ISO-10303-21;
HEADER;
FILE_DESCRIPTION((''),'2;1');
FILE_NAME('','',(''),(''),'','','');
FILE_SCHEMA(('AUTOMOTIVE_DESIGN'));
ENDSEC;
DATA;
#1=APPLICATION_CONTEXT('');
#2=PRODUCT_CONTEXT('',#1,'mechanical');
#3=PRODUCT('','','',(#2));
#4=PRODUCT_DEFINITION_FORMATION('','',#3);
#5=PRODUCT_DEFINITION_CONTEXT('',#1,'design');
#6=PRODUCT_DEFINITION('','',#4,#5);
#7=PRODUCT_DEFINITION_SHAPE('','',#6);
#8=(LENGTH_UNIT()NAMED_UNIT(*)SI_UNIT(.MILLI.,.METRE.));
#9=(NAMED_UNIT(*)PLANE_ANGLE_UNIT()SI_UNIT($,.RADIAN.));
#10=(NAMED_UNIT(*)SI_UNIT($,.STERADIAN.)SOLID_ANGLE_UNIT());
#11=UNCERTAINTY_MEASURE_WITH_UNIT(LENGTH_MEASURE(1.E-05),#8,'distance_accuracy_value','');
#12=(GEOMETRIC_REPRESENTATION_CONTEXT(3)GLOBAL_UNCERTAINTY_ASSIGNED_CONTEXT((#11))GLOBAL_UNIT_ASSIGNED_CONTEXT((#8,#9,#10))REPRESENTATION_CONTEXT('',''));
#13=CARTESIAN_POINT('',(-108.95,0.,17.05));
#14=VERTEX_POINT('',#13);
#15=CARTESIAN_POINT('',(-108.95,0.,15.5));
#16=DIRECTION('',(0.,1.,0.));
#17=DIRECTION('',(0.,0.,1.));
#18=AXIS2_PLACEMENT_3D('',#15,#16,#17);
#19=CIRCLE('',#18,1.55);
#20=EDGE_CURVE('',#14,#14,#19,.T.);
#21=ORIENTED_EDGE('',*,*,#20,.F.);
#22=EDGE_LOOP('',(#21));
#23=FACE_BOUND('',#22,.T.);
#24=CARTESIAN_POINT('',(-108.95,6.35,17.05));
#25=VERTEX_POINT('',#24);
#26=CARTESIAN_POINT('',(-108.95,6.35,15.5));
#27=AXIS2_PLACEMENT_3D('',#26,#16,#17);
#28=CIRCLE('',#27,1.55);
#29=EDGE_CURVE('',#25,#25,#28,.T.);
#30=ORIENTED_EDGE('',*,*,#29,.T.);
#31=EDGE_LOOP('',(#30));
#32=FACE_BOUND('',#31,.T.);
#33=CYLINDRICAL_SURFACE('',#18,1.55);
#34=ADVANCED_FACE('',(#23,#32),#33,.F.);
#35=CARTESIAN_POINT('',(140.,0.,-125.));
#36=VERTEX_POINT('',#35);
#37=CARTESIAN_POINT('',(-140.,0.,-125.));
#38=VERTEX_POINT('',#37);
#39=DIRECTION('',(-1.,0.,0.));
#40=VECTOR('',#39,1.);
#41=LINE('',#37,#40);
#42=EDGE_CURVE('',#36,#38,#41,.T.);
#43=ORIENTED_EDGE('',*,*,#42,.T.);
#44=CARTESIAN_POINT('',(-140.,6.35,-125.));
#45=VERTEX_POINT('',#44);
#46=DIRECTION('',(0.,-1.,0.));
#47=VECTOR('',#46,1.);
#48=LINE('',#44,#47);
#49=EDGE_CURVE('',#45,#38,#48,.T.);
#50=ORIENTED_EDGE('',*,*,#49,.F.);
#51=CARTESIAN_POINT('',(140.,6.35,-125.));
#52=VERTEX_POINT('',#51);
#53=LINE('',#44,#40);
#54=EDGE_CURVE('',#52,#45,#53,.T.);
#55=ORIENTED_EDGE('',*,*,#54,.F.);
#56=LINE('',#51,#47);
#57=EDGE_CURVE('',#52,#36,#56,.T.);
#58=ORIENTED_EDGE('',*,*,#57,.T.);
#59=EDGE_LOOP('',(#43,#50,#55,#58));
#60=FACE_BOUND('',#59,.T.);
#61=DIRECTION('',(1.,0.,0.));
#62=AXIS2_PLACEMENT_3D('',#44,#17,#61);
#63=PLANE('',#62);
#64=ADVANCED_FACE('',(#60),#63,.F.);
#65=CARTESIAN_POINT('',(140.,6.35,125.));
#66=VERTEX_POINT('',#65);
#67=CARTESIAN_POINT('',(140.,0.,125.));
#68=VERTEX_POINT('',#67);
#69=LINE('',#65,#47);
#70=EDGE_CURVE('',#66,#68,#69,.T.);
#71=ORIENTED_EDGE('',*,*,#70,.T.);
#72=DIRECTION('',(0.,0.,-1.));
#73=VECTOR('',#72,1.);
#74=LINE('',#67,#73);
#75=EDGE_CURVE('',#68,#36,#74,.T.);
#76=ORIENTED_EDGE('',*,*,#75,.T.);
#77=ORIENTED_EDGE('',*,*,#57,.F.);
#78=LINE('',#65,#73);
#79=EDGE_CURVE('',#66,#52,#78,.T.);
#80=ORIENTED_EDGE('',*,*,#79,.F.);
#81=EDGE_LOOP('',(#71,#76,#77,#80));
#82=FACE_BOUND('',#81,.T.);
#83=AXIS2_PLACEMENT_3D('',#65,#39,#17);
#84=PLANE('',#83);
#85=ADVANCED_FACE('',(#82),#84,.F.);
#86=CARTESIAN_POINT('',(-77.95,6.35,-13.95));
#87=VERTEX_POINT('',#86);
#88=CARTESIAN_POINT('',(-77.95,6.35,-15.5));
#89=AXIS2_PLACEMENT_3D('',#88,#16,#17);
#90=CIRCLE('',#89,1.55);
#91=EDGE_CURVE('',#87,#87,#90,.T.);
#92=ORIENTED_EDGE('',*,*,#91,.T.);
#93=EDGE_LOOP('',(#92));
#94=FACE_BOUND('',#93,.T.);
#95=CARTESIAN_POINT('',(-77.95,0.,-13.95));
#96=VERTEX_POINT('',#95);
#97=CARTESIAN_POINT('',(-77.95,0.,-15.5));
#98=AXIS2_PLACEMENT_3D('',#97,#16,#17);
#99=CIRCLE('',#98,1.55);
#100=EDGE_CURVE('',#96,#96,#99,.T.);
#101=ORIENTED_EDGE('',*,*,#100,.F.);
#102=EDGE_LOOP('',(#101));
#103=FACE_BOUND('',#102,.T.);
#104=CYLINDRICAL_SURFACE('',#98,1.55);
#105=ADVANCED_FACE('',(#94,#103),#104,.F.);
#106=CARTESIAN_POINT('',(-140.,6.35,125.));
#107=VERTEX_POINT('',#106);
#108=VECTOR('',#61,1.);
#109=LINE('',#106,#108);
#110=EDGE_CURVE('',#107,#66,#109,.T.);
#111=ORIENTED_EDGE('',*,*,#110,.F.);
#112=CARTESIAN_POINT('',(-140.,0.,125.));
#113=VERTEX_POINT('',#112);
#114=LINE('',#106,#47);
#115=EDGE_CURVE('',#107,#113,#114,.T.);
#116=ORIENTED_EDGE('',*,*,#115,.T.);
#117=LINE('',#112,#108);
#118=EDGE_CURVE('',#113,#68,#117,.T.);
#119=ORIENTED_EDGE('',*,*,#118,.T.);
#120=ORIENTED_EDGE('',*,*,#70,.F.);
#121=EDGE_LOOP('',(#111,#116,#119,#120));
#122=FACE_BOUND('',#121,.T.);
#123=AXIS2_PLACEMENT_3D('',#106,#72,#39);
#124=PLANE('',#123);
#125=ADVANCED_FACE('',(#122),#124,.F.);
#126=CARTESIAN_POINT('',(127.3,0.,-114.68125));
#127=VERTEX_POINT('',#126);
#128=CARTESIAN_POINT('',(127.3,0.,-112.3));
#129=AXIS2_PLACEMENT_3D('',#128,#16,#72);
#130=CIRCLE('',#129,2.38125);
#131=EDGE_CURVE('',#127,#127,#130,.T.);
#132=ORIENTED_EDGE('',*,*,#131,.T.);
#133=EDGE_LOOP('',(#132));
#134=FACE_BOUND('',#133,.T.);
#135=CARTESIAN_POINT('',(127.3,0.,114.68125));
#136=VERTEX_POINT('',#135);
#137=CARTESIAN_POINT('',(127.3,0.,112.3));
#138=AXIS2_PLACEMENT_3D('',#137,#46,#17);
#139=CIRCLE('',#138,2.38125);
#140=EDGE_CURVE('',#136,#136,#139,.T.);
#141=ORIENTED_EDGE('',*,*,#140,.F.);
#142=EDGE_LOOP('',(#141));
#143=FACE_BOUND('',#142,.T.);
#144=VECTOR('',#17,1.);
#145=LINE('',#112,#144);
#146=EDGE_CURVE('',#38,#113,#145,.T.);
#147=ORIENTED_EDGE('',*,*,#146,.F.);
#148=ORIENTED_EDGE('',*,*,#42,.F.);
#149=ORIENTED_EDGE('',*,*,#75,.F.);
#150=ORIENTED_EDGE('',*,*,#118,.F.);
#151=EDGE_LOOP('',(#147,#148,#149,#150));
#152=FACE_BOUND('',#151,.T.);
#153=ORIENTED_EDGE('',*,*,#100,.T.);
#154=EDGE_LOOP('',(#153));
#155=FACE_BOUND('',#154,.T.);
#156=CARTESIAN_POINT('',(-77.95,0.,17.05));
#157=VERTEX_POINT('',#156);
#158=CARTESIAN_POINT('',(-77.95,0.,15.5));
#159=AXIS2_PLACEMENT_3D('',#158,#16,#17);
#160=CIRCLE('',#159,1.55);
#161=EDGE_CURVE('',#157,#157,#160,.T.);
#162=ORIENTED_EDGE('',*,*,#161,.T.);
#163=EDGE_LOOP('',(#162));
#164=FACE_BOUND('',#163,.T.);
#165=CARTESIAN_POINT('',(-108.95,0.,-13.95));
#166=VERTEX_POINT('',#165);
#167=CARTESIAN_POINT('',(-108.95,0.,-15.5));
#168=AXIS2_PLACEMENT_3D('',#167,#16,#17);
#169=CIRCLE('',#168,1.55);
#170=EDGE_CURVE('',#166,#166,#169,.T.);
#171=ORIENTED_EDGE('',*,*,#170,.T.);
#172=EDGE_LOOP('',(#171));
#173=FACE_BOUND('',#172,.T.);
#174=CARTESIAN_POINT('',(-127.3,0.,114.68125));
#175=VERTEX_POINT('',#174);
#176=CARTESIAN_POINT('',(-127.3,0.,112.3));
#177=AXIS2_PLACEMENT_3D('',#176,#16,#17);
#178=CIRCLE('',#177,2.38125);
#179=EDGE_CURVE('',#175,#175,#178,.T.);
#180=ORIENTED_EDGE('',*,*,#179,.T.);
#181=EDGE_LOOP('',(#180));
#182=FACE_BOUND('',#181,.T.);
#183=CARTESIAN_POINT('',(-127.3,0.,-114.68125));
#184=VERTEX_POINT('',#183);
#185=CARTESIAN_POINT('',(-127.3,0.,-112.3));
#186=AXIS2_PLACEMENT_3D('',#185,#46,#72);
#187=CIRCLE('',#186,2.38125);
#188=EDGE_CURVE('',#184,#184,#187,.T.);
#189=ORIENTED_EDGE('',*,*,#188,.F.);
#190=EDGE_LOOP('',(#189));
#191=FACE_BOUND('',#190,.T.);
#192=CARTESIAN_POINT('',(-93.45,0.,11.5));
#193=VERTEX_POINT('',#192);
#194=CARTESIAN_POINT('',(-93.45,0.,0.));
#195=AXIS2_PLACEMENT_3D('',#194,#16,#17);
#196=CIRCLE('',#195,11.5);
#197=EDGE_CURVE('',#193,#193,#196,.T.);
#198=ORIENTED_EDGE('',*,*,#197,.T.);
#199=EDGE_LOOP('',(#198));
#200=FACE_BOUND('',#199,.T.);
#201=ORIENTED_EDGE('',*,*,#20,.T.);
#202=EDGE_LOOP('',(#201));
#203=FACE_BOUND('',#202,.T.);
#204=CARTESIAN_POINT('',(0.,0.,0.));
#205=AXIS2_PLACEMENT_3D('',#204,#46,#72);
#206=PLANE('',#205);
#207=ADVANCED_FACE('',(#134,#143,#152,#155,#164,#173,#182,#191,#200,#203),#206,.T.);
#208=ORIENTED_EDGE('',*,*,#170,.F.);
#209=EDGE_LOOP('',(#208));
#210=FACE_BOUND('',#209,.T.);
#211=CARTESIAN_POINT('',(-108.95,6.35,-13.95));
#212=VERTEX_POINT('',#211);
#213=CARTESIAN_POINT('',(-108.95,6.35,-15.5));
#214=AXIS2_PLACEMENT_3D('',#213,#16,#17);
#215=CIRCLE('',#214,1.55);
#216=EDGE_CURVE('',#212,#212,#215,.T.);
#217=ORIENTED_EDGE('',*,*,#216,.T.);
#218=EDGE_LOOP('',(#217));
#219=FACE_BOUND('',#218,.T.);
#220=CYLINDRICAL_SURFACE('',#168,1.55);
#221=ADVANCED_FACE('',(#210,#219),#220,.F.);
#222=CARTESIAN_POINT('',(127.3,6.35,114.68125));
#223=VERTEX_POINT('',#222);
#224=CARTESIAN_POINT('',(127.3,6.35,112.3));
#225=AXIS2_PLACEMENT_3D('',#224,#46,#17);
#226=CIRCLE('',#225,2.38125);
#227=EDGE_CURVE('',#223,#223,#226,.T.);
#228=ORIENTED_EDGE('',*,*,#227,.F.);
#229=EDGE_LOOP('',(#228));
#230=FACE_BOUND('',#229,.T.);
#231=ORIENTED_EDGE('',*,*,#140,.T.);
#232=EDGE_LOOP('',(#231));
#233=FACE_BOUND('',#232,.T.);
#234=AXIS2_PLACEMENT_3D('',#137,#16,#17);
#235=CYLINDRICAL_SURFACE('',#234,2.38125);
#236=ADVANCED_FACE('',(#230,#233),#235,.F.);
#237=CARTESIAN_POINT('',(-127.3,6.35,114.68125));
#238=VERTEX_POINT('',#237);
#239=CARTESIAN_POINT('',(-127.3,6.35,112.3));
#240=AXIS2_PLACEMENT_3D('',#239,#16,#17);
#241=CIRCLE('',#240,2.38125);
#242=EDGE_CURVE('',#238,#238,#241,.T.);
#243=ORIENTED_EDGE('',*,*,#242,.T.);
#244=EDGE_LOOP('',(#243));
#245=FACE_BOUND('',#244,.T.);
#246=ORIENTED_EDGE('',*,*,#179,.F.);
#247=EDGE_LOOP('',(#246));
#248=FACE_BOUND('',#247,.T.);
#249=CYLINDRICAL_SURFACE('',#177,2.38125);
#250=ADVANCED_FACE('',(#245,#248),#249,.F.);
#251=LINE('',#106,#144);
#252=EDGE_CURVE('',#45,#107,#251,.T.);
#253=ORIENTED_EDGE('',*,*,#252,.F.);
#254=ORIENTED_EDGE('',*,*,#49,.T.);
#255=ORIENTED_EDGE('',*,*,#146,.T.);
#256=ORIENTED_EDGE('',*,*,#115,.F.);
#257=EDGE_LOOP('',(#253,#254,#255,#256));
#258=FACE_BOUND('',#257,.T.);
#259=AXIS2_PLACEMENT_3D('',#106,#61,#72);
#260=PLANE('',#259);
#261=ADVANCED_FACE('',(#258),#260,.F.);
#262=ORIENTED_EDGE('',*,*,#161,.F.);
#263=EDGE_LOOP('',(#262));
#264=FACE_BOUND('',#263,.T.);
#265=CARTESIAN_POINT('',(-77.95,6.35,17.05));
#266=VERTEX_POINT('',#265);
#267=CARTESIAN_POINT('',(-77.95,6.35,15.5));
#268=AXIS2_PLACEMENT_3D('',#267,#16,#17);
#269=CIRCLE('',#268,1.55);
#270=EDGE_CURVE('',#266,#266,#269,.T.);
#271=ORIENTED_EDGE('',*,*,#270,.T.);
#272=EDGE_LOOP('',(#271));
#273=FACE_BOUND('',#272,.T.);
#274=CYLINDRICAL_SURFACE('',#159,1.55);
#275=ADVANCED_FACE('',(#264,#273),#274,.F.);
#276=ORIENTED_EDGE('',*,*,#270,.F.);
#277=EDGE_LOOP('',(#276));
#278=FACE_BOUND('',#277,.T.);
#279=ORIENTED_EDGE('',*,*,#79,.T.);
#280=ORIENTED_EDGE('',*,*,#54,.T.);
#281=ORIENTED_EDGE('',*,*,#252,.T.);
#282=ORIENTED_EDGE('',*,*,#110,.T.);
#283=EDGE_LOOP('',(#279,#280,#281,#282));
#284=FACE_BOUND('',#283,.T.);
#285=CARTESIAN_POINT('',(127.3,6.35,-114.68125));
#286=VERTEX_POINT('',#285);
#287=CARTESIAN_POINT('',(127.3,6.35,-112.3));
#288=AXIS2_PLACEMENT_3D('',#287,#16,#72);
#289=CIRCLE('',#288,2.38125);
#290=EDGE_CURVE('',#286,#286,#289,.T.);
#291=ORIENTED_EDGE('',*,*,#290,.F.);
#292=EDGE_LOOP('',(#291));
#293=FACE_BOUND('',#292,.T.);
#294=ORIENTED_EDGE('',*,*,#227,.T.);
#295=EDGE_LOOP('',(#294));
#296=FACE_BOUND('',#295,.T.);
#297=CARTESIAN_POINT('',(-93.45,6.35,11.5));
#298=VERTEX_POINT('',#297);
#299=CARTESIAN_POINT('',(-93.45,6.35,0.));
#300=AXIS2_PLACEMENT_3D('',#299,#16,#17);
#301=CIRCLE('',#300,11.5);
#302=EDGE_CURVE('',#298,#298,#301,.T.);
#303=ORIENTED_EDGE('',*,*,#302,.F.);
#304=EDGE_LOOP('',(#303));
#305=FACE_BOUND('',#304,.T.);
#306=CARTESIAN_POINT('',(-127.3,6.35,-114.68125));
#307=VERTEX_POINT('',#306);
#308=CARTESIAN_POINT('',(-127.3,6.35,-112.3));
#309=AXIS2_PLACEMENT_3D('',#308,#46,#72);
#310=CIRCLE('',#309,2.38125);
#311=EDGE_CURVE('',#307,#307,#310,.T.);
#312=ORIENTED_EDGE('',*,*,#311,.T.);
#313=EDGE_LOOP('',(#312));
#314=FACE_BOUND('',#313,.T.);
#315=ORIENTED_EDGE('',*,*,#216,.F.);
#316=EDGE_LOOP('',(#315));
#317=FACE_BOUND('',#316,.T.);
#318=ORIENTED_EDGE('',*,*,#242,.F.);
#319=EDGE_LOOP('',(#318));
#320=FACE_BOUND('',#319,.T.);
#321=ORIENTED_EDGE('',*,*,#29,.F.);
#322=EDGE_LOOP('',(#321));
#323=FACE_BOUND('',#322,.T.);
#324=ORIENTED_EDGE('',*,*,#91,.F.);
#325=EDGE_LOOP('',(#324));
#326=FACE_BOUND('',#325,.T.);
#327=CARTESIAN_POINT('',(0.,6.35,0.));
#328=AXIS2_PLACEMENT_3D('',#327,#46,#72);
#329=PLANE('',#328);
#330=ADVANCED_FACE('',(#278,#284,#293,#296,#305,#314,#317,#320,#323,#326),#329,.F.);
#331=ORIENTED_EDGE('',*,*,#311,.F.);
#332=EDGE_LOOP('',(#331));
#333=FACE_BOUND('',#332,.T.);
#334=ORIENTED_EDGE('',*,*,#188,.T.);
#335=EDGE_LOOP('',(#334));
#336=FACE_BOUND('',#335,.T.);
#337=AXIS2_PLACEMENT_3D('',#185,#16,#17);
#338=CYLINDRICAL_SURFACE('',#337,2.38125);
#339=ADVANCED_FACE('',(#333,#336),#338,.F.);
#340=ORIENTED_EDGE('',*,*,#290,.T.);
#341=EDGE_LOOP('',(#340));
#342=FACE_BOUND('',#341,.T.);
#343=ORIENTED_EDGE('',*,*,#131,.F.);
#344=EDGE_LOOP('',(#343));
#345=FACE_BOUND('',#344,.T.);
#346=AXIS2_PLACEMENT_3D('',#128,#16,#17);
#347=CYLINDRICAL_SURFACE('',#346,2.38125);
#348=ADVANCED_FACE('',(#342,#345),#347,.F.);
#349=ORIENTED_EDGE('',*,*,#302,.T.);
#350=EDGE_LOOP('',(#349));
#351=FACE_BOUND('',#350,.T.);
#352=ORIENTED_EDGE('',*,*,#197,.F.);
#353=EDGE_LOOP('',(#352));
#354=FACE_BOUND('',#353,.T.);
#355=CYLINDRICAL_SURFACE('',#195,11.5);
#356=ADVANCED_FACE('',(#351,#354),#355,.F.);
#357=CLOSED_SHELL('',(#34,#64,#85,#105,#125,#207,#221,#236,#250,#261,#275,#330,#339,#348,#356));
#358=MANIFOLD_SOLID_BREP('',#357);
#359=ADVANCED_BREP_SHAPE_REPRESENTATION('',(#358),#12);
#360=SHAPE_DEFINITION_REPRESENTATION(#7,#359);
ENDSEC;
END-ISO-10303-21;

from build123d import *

# Parameters (mm, degrees)
SKETCH1_W               = 280
SKETCH1_H               = 250
BOSS_EXTRUDE1_DEPTH     = 6.35
SKETCH3_R               = 2.38125
CUT_EXTRUDE1_DEPTH      = 7.35
MIRROR2_COPY_1_SKETCH_R = 2.38125
MIRROR2_COPY_1_DEPTH    = 7.35
SKETCH7_R               = 1.55
SKETCH7_R_2             = 11.5
CUT_EXTRUDE4_DEPTH      = 7.35


with BuildPart() as part:
    # Sketch1 → Boss-Extrude1 (new body)
    with BuildSketch(Plane(origin=(0, 0, 0), x_dir=(1, 0, 0), z_dir=(0, 1, 0))):
        Rectangle(SKETCH1_W, SKETCH1_H)
    extrude(amount=BOSS_EXTRUDE1_DEPTH)

    # Sketch3 → Cut-Extrude1 (cut, through all)
    with BuildSketch(Plane(origin=(0, 6.35, 0), x_dir=(1, 0, 0), z_dir=(0, 1, 0))):
        with Locations((-127.3, -112.3)):
            Circle(SKETCH3_R)
    cut_extrude1 = extrude(amount=-CUT_EXTRUDE1_DEPTH, mode=Mode.SUBTRACT)

    # Mirror1: Cut-Extrude1 across plane
    add(cut_extrude1.mirror(Plane.XY), mode=Mode.SUBTRACT)

    # Mirror2: Cut-Extrude1 across plane
    add(cut_extrude1.mirror(Plane(origin=(0, 0, 0), x_dir=(0, 0, 1), z_dir=(1, 0, 0))), mode=Mode.SUBTRACT)

    # Mirror2 copy 1 sketch → Mirror2 copy 1 (cut, through all)
    with BuildSketch(Plane(origin=(0, 6.35, 0), x_dir=(-1, 0, 0), z_dir=(0, 1, 0))):
        with Locations((-127.3, -112.3)):
            Circle(MIRROR2_COPY_1_SKETCH_R)
    extrude(amount=-MIRROR2_COPY_1_DEPTH, mode=Mode.SUBTRACT)

    # Sketch7 → Cut-Extrude4 (cut, through all)
    with BuildSketch(Plane(origin=(0, 6.35, 0), x_dir=(-1, 0, 0), z_dir=(0, 1, 0))):
        with Locations((77.95, 15.5)):
            Circle(SKETCH7_R)
        with Locations((93.45, 0)):
            Circle(SKETCH7_R_2)
        with Locations((108.95, 15.5)):
            Circle(SKETCH7_R)
        with Locations((108.95, -15.5)):
            Circle(SKETCH7_R)
        with Locations((77.95, -15.5)):
            Circle(SKETCH7_R)
    extrude(amount=-CUT_EXTRUDE4_DEPTH, mode=Mode.SUBTRACT)


solid = part.part
